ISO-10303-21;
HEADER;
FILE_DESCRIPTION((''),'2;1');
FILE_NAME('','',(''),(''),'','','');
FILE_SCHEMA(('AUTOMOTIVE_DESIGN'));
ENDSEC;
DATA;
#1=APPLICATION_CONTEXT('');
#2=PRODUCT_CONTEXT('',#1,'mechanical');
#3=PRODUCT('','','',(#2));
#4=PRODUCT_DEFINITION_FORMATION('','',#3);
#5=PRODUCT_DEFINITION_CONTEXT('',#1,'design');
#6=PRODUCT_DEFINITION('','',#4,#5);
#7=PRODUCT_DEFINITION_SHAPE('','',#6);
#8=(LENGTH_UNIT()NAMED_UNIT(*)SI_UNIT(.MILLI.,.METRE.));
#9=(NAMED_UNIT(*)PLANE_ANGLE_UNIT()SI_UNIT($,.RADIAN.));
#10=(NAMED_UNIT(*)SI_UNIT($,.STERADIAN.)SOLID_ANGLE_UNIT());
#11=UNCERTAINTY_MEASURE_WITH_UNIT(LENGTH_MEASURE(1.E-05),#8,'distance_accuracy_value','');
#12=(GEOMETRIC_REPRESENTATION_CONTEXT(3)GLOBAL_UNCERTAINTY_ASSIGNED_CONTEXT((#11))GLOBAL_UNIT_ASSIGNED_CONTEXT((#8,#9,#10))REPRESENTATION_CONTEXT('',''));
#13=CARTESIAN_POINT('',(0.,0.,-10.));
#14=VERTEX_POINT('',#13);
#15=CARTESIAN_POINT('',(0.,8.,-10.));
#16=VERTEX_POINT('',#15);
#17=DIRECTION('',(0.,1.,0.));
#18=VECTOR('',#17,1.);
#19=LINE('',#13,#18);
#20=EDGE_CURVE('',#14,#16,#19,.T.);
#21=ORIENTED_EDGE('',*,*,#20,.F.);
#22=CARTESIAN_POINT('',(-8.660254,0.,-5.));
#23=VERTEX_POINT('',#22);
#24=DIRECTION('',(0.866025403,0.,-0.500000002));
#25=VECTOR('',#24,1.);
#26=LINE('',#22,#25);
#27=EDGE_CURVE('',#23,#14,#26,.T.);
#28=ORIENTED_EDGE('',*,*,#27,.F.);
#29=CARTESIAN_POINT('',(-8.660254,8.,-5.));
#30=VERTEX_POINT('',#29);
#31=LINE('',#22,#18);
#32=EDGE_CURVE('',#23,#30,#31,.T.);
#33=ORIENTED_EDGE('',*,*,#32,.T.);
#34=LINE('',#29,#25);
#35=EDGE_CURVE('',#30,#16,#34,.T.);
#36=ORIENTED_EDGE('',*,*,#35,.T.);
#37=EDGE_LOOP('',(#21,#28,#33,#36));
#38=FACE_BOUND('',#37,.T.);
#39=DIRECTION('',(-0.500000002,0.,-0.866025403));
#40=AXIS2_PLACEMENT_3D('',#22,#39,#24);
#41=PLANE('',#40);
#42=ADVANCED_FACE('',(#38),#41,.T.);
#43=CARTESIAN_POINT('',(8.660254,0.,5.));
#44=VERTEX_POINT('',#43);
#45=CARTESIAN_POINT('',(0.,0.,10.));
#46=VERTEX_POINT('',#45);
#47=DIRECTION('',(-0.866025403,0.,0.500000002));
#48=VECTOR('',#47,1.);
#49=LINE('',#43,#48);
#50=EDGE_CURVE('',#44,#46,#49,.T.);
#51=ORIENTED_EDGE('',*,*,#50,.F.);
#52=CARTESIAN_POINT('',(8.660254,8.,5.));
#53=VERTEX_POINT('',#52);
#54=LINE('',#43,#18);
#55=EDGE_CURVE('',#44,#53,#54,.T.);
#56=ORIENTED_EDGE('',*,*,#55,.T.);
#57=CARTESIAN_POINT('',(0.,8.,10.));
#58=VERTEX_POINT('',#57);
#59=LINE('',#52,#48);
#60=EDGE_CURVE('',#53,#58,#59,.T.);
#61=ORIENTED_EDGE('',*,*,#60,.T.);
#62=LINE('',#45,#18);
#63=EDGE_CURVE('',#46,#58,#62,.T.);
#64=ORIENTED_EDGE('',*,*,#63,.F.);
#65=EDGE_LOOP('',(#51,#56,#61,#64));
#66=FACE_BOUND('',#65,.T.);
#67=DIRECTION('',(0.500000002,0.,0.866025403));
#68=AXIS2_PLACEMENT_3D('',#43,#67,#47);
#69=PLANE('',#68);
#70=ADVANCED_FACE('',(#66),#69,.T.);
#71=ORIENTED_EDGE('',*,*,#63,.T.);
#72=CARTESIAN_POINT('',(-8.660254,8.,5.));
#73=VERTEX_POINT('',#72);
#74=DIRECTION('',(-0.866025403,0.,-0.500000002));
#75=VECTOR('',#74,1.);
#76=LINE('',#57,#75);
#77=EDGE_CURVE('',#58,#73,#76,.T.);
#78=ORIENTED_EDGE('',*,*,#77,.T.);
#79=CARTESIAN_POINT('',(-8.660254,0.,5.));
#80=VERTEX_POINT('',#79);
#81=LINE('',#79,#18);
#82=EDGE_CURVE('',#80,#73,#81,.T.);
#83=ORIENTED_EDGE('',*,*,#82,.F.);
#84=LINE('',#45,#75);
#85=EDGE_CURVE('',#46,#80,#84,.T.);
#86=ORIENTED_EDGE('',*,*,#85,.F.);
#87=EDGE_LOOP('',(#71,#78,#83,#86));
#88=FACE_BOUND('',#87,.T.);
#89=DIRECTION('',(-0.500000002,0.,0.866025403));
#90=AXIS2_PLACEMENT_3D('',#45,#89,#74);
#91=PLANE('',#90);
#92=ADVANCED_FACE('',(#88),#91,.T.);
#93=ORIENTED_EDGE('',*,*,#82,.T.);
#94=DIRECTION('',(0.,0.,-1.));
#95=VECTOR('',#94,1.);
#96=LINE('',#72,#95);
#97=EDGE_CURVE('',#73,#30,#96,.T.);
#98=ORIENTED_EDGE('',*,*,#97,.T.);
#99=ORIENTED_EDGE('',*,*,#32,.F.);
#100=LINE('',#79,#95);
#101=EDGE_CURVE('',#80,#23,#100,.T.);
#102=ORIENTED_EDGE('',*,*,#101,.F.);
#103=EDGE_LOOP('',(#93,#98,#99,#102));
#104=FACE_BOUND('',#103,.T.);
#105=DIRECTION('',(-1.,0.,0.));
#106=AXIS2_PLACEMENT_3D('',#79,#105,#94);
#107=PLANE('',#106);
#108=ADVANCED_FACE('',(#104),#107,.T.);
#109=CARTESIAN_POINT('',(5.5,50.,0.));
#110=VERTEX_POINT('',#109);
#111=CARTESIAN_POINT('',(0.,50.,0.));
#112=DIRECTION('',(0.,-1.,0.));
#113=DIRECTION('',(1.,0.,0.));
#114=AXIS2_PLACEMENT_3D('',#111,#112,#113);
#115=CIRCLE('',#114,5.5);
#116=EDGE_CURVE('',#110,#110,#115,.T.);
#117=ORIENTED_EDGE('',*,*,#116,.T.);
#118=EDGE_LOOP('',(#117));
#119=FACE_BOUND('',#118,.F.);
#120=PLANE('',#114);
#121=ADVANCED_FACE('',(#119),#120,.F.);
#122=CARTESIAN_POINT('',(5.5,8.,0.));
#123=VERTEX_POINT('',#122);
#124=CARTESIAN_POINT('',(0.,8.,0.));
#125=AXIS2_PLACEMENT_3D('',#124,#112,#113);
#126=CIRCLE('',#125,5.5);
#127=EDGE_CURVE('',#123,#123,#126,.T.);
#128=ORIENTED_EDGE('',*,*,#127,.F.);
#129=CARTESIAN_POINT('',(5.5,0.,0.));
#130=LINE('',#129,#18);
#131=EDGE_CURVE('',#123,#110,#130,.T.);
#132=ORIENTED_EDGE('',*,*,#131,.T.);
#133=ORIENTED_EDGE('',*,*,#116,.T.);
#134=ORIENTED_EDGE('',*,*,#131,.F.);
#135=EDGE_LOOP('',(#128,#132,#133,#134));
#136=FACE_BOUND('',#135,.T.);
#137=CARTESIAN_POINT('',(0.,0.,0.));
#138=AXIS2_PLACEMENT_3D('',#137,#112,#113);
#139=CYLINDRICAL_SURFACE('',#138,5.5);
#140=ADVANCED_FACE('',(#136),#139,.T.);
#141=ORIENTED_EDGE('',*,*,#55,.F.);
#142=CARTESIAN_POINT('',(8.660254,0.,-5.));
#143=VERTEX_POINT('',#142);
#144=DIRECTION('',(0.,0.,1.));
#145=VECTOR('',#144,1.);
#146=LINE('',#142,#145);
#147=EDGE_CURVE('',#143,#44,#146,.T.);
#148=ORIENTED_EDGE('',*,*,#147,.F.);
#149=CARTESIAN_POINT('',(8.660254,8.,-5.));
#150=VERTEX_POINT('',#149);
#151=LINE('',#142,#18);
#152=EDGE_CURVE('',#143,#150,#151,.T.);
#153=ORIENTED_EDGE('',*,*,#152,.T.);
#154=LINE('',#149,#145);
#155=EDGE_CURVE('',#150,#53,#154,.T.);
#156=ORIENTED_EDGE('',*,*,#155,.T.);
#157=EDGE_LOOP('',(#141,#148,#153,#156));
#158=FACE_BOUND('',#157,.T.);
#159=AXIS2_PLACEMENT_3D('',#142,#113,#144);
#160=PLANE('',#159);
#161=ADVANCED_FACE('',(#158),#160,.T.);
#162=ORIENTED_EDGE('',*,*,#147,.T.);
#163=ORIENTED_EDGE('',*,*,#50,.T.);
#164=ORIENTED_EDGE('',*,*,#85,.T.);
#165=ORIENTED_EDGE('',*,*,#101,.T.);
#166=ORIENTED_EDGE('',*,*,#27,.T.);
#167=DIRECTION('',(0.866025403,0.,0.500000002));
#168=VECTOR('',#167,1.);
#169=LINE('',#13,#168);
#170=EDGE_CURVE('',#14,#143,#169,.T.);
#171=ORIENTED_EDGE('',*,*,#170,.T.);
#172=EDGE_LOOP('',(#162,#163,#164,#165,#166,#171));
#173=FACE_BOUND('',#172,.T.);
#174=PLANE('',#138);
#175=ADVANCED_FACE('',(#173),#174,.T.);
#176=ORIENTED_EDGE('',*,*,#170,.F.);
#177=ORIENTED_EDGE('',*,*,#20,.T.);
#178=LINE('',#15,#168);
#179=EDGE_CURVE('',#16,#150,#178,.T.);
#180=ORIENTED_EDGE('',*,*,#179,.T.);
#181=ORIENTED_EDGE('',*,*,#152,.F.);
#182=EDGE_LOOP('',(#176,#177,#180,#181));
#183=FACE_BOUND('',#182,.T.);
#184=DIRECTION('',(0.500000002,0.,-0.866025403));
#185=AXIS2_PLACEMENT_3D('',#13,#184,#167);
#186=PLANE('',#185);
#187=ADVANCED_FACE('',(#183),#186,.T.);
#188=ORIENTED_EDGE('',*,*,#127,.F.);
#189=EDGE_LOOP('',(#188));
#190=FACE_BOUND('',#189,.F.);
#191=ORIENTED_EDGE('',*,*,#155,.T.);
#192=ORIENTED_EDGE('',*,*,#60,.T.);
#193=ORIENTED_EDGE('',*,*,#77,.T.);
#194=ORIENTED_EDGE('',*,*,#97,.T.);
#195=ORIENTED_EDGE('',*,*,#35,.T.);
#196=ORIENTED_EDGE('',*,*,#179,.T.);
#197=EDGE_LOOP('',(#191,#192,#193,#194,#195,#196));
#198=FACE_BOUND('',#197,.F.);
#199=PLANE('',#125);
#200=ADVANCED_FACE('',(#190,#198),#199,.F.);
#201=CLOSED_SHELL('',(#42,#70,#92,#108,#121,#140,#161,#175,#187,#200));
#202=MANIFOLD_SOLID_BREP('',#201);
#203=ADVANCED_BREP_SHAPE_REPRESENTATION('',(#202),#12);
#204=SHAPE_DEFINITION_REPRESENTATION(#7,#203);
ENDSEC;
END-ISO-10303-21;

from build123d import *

# Parameters (mm, degrees)
F0_R     = 5.5
F1_DEPTH = 8
F2_R     = 5.5
F3_DEPTH = 50


with BuildPart() as f1:
    # F0 (on Front) → F1 (new body)
    with BuildSketch(Plane.XZ):
        Polygon((8.660254, 5), (0, 10), (-8.660254, 5), (-8.660254, -5), (0, -10), (8.660254, -5), align=None)
        Circle(F0_R, mode=Mode.SUBTRACT)
    extrude(amount=-F1_DEPTH)

    # F2 (on Front) → F3 (join)
    with BuildSketch(Plane.XZ):
        Circle(F2_R)
    extrude(amount=-F3_DEPTH)


solid = f1.part
